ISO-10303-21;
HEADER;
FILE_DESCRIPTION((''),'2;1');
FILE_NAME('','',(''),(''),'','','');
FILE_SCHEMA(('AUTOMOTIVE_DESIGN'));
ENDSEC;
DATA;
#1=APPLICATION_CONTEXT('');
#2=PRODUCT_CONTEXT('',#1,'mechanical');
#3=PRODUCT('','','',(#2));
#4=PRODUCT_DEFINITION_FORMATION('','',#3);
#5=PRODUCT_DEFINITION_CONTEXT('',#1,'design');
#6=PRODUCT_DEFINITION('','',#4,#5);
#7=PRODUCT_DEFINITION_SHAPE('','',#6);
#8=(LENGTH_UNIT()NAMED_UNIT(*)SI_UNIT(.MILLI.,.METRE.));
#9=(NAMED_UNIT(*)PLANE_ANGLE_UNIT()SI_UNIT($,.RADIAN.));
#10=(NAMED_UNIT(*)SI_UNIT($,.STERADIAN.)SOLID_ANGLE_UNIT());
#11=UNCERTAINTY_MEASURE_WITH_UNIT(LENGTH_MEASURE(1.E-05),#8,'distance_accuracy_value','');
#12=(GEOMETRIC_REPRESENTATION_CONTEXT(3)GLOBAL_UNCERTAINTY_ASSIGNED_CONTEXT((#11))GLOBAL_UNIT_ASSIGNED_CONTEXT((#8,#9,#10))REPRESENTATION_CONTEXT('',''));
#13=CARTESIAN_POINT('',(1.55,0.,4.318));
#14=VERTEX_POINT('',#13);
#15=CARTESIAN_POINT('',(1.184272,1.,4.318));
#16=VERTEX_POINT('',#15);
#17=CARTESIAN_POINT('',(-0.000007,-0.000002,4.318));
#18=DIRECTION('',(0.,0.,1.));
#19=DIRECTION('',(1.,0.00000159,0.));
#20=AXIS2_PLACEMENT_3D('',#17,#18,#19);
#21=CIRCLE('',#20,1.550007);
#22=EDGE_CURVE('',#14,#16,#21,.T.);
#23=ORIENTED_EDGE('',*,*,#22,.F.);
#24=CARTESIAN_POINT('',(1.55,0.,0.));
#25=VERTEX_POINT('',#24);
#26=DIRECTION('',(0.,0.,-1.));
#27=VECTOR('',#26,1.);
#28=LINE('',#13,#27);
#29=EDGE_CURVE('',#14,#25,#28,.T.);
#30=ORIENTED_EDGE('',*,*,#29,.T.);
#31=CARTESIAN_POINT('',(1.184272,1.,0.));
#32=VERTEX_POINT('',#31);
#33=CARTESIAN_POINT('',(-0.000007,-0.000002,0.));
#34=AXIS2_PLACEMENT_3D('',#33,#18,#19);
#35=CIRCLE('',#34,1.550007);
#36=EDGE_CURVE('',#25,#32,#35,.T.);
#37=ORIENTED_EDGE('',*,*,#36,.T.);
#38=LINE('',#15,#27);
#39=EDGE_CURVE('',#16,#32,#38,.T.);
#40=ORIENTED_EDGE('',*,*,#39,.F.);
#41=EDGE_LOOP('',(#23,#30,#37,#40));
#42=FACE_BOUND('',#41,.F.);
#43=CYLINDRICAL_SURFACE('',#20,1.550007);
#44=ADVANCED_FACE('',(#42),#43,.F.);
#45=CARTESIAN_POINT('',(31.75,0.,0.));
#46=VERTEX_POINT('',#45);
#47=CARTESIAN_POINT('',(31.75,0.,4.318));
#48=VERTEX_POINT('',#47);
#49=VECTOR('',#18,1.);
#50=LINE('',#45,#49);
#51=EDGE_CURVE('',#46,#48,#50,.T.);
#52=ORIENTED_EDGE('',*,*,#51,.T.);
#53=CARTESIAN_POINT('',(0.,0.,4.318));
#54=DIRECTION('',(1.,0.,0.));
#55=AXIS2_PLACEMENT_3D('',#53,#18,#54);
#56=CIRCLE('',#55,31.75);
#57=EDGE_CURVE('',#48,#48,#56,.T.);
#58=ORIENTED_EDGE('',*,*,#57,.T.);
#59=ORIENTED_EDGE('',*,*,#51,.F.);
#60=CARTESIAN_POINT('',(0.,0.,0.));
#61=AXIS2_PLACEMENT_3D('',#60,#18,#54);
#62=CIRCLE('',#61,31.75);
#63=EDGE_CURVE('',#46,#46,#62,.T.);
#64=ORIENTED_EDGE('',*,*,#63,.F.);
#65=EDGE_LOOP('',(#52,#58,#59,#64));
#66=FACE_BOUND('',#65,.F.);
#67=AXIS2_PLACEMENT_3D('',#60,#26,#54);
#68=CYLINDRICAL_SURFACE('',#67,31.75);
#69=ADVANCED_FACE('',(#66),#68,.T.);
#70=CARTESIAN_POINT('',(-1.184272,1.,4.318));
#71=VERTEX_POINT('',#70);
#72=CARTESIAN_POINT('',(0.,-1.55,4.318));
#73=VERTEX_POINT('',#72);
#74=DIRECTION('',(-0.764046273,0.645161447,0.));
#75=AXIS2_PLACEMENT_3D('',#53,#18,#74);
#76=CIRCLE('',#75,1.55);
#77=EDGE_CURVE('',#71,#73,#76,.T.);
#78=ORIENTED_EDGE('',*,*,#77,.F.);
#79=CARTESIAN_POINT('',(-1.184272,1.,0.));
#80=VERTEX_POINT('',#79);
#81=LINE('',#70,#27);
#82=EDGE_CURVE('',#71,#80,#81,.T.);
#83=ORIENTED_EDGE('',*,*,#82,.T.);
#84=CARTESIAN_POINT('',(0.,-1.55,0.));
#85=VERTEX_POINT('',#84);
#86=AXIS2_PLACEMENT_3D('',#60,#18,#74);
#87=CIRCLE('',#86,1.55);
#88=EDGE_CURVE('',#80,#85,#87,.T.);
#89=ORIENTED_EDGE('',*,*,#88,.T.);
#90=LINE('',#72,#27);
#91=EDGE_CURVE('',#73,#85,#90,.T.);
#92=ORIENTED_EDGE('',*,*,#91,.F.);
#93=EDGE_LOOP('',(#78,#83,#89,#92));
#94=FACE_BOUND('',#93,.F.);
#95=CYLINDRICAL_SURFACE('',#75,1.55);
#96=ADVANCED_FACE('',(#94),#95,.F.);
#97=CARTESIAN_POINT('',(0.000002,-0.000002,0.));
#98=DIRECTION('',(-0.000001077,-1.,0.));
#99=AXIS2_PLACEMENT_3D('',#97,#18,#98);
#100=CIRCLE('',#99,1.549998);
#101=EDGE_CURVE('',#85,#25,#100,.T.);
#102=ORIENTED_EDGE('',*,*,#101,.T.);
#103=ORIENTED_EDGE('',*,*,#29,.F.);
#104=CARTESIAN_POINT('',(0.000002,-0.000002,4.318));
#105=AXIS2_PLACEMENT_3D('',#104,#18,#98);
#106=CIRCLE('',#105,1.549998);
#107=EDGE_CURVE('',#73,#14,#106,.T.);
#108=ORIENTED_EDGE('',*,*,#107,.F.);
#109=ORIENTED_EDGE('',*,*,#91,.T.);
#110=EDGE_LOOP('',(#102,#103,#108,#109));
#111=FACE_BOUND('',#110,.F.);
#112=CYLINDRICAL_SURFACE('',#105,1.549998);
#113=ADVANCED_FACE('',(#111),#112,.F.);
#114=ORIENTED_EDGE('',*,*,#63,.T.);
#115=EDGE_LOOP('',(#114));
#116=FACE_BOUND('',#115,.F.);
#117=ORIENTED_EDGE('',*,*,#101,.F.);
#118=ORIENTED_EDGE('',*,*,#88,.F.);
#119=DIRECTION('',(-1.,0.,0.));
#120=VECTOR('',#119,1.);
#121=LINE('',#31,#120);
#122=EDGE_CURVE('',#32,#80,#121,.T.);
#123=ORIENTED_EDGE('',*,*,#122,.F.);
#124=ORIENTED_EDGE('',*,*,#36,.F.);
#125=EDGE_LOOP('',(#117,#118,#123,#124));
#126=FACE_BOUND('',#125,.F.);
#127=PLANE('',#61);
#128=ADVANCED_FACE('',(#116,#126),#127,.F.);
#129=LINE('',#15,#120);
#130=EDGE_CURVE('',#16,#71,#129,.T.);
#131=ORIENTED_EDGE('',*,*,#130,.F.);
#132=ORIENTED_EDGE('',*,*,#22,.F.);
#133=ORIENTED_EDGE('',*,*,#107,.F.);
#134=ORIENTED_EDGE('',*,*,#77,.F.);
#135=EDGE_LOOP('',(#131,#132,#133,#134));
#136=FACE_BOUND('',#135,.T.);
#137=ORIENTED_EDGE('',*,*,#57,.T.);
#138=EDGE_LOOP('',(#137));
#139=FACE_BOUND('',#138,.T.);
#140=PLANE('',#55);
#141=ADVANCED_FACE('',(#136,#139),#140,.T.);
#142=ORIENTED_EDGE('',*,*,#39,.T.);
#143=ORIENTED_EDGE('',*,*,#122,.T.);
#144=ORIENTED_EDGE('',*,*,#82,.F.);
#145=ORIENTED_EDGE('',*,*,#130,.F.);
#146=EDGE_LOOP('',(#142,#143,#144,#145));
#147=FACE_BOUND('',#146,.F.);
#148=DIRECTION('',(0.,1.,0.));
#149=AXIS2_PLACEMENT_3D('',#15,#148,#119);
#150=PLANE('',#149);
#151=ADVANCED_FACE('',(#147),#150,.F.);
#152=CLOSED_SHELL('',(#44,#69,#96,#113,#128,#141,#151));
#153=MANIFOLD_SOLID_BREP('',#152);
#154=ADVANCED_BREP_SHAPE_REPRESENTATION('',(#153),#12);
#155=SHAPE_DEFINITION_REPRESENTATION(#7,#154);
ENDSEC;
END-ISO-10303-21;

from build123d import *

# Parameters (mm, degrees)
F0_R     = 31.75
F1_DEPTH = 4.318
F3_DEPTH = 4.318


with BuildPart() as f1:
    # F0 (on Top) → F1 (new body)
    with BuildSketch(Plane.XY):
        Circle(F0_R)
    extrude(amount=F1_DEPTH)

    # F2 (on face) → F3 (cut, through all)
    with BuildSketch(Plane.XY.offset(4.318)):
        with BuildLine():
            ThreePointArc((0, -1.55), (1.096016, -1.096016), (1.55, 0))
            ThreePointArc((1.55, 0), (1.455699, 0.53239), (1.184272, 1))
            Line((1.184272, 1), (0, 1))
            Line((0, 1), (0, -1.55))
        make_face()
        with BuildLine():
            ThreePointArc((-1.184272, 1), (-1.405792, -0.652878), (0, -1.55))
            Line((0, -1.55), (0, 1))
            Line((0, 1), (-1.184272, 1))
        make_face()
    extrude(amount=-F3_DEPTH, mode=Mode.SUBTRACT)


solid = f1.part
